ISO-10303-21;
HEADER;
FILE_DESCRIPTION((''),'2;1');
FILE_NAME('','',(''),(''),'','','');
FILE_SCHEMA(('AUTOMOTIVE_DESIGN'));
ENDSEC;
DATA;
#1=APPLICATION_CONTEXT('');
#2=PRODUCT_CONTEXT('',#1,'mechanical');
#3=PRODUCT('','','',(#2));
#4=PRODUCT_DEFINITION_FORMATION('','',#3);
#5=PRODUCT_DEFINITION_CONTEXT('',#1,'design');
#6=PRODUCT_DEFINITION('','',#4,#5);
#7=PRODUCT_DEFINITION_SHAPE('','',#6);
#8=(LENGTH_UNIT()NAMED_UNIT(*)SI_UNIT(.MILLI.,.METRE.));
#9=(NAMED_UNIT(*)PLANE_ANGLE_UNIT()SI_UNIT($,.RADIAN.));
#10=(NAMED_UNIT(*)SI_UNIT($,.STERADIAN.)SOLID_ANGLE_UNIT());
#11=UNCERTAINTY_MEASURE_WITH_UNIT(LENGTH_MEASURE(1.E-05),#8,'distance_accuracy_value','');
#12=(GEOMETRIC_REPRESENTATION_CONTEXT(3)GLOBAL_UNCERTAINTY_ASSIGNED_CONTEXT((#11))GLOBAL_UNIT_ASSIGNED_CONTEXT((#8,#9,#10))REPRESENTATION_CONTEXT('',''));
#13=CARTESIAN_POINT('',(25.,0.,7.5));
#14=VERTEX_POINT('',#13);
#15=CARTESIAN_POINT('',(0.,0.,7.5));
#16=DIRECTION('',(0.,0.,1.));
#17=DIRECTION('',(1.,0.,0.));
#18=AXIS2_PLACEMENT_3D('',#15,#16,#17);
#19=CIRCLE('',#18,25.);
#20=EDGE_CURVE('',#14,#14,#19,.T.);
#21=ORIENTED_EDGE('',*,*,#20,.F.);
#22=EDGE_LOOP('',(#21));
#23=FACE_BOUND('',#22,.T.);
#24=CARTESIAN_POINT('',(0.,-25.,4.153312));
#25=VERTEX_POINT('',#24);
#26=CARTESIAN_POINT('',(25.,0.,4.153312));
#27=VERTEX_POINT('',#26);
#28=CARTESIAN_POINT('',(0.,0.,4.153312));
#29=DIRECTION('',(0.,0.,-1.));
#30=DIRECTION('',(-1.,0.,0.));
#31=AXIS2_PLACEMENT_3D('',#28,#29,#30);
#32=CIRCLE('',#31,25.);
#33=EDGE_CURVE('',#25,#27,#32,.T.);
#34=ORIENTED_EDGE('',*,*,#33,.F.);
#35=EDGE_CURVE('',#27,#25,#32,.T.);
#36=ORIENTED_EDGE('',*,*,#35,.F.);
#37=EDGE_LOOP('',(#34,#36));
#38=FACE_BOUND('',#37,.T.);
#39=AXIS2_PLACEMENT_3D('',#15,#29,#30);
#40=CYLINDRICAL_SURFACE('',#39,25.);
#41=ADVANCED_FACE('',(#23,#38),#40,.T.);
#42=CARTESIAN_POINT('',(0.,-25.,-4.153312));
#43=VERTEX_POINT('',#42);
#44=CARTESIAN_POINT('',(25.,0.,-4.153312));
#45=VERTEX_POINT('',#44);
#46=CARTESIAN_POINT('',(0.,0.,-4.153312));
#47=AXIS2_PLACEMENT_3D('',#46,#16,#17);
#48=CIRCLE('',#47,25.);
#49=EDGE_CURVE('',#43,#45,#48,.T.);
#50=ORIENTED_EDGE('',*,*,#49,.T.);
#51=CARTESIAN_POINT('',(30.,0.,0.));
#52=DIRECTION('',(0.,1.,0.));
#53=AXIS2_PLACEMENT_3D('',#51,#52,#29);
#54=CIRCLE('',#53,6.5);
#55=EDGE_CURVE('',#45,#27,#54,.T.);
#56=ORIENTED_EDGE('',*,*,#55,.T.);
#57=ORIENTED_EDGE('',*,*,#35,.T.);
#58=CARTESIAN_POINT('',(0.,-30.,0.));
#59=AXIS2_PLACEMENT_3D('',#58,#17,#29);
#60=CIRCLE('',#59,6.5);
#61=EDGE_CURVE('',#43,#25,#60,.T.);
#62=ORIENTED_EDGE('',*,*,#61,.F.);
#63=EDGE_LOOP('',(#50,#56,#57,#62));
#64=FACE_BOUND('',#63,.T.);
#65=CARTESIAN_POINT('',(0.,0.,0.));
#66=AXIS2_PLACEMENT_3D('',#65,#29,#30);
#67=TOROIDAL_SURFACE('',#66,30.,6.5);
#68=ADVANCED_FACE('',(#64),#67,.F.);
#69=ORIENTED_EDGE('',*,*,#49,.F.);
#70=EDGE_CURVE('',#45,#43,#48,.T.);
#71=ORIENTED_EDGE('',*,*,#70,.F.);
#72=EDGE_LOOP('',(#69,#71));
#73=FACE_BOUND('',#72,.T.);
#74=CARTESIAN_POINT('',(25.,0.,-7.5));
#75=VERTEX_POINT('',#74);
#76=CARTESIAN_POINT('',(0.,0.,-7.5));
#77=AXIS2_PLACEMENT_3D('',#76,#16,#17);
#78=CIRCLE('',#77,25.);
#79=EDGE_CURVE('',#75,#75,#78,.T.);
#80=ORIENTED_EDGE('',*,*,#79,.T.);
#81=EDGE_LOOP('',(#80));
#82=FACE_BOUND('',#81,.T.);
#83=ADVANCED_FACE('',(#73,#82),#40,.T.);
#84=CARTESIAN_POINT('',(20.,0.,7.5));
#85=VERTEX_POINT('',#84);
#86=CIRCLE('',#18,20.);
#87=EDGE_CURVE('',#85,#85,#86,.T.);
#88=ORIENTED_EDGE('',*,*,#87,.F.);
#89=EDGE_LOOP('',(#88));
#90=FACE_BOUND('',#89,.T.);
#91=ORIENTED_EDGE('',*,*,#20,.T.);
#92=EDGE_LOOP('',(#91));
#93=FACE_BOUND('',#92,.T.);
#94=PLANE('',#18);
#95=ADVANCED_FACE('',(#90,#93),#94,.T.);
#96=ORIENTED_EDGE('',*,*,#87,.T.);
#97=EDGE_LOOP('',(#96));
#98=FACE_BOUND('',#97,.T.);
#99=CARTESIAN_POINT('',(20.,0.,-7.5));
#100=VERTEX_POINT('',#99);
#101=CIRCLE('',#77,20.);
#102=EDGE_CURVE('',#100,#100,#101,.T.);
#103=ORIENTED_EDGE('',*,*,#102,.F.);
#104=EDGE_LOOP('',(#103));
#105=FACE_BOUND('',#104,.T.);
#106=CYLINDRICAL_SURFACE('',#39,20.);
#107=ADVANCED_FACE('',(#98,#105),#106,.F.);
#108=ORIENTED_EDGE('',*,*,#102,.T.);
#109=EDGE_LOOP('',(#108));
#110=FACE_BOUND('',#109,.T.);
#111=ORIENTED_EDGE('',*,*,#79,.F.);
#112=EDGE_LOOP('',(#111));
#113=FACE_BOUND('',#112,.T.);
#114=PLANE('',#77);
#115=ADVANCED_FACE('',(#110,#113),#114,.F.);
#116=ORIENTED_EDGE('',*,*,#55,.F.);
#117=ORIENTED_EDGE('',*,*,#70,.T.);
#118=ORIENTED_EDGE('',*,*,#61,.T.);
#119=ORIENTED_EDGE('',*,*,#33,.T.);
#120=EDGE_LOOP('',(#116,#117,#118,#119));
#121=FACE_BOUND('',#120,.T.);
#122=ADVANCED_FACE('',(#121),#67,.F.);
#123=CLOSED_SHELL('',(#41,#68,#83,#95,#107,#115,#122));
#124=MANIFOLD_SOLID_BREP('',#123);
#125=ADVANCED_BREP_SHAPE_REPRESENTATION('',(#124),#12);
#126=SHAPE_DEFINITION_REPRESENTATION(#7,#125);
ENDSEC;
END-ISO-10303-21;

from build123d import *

# Parameters (mm, degrees)
SKETCH1_R           = 25
SKETCH1_R_2         = 20
BOSS_EXTRUDE1_DEPTH = 7.5
SKETCH4_R           = 6.5


with BuildPart() as part:
    # Sketch1 → Boss-Extrude1 (new, symmetric)
    with BuildSketch(Plane.XY):
        Circle(SKETCH1_R)
        Circle(SKETCH1_R_2, mode=Mode.SUBTRACT)
    extrude(amount=BOSS_EXTRUDE1_DEPTH, both=True)

    # Cut-Sweep2: sweep along a curve in space
    with BuildLine() as cut_sweep2_path:
        ThreePointArc((25, 0, 7.5), (17.67766953, 17.67766953, 7.5), (0, 25, 7.5))
        ThreePointArc((0, 25, 7.5), (-17.67766953, 17.67766953, 7.5), (-25, 0, 7.5))
        ThreePointArc((-25, 0, 7.5), (-17.67766953, -17.67766953, 7.5), (0, -25, 7.5))
        ThreePointArc((0, -25, 7.5), (17.67766953, -17.67766953, 7.5), (25, 0, 7.5))
    # Sketch4 → Cut-Sweep2 (sweep, cut)
    with BuildSketch(Plane(origin=(0, 0, 0), x_dir=(0, 0, -1), z_dir=(1, 0, 0))):
        with Locations((0, -30)):
            Circle(SKETCH4_R)
    sweep(path=cut_sweep2_path.line, mode=Mode.SUBTRACT)


solid = part.part
